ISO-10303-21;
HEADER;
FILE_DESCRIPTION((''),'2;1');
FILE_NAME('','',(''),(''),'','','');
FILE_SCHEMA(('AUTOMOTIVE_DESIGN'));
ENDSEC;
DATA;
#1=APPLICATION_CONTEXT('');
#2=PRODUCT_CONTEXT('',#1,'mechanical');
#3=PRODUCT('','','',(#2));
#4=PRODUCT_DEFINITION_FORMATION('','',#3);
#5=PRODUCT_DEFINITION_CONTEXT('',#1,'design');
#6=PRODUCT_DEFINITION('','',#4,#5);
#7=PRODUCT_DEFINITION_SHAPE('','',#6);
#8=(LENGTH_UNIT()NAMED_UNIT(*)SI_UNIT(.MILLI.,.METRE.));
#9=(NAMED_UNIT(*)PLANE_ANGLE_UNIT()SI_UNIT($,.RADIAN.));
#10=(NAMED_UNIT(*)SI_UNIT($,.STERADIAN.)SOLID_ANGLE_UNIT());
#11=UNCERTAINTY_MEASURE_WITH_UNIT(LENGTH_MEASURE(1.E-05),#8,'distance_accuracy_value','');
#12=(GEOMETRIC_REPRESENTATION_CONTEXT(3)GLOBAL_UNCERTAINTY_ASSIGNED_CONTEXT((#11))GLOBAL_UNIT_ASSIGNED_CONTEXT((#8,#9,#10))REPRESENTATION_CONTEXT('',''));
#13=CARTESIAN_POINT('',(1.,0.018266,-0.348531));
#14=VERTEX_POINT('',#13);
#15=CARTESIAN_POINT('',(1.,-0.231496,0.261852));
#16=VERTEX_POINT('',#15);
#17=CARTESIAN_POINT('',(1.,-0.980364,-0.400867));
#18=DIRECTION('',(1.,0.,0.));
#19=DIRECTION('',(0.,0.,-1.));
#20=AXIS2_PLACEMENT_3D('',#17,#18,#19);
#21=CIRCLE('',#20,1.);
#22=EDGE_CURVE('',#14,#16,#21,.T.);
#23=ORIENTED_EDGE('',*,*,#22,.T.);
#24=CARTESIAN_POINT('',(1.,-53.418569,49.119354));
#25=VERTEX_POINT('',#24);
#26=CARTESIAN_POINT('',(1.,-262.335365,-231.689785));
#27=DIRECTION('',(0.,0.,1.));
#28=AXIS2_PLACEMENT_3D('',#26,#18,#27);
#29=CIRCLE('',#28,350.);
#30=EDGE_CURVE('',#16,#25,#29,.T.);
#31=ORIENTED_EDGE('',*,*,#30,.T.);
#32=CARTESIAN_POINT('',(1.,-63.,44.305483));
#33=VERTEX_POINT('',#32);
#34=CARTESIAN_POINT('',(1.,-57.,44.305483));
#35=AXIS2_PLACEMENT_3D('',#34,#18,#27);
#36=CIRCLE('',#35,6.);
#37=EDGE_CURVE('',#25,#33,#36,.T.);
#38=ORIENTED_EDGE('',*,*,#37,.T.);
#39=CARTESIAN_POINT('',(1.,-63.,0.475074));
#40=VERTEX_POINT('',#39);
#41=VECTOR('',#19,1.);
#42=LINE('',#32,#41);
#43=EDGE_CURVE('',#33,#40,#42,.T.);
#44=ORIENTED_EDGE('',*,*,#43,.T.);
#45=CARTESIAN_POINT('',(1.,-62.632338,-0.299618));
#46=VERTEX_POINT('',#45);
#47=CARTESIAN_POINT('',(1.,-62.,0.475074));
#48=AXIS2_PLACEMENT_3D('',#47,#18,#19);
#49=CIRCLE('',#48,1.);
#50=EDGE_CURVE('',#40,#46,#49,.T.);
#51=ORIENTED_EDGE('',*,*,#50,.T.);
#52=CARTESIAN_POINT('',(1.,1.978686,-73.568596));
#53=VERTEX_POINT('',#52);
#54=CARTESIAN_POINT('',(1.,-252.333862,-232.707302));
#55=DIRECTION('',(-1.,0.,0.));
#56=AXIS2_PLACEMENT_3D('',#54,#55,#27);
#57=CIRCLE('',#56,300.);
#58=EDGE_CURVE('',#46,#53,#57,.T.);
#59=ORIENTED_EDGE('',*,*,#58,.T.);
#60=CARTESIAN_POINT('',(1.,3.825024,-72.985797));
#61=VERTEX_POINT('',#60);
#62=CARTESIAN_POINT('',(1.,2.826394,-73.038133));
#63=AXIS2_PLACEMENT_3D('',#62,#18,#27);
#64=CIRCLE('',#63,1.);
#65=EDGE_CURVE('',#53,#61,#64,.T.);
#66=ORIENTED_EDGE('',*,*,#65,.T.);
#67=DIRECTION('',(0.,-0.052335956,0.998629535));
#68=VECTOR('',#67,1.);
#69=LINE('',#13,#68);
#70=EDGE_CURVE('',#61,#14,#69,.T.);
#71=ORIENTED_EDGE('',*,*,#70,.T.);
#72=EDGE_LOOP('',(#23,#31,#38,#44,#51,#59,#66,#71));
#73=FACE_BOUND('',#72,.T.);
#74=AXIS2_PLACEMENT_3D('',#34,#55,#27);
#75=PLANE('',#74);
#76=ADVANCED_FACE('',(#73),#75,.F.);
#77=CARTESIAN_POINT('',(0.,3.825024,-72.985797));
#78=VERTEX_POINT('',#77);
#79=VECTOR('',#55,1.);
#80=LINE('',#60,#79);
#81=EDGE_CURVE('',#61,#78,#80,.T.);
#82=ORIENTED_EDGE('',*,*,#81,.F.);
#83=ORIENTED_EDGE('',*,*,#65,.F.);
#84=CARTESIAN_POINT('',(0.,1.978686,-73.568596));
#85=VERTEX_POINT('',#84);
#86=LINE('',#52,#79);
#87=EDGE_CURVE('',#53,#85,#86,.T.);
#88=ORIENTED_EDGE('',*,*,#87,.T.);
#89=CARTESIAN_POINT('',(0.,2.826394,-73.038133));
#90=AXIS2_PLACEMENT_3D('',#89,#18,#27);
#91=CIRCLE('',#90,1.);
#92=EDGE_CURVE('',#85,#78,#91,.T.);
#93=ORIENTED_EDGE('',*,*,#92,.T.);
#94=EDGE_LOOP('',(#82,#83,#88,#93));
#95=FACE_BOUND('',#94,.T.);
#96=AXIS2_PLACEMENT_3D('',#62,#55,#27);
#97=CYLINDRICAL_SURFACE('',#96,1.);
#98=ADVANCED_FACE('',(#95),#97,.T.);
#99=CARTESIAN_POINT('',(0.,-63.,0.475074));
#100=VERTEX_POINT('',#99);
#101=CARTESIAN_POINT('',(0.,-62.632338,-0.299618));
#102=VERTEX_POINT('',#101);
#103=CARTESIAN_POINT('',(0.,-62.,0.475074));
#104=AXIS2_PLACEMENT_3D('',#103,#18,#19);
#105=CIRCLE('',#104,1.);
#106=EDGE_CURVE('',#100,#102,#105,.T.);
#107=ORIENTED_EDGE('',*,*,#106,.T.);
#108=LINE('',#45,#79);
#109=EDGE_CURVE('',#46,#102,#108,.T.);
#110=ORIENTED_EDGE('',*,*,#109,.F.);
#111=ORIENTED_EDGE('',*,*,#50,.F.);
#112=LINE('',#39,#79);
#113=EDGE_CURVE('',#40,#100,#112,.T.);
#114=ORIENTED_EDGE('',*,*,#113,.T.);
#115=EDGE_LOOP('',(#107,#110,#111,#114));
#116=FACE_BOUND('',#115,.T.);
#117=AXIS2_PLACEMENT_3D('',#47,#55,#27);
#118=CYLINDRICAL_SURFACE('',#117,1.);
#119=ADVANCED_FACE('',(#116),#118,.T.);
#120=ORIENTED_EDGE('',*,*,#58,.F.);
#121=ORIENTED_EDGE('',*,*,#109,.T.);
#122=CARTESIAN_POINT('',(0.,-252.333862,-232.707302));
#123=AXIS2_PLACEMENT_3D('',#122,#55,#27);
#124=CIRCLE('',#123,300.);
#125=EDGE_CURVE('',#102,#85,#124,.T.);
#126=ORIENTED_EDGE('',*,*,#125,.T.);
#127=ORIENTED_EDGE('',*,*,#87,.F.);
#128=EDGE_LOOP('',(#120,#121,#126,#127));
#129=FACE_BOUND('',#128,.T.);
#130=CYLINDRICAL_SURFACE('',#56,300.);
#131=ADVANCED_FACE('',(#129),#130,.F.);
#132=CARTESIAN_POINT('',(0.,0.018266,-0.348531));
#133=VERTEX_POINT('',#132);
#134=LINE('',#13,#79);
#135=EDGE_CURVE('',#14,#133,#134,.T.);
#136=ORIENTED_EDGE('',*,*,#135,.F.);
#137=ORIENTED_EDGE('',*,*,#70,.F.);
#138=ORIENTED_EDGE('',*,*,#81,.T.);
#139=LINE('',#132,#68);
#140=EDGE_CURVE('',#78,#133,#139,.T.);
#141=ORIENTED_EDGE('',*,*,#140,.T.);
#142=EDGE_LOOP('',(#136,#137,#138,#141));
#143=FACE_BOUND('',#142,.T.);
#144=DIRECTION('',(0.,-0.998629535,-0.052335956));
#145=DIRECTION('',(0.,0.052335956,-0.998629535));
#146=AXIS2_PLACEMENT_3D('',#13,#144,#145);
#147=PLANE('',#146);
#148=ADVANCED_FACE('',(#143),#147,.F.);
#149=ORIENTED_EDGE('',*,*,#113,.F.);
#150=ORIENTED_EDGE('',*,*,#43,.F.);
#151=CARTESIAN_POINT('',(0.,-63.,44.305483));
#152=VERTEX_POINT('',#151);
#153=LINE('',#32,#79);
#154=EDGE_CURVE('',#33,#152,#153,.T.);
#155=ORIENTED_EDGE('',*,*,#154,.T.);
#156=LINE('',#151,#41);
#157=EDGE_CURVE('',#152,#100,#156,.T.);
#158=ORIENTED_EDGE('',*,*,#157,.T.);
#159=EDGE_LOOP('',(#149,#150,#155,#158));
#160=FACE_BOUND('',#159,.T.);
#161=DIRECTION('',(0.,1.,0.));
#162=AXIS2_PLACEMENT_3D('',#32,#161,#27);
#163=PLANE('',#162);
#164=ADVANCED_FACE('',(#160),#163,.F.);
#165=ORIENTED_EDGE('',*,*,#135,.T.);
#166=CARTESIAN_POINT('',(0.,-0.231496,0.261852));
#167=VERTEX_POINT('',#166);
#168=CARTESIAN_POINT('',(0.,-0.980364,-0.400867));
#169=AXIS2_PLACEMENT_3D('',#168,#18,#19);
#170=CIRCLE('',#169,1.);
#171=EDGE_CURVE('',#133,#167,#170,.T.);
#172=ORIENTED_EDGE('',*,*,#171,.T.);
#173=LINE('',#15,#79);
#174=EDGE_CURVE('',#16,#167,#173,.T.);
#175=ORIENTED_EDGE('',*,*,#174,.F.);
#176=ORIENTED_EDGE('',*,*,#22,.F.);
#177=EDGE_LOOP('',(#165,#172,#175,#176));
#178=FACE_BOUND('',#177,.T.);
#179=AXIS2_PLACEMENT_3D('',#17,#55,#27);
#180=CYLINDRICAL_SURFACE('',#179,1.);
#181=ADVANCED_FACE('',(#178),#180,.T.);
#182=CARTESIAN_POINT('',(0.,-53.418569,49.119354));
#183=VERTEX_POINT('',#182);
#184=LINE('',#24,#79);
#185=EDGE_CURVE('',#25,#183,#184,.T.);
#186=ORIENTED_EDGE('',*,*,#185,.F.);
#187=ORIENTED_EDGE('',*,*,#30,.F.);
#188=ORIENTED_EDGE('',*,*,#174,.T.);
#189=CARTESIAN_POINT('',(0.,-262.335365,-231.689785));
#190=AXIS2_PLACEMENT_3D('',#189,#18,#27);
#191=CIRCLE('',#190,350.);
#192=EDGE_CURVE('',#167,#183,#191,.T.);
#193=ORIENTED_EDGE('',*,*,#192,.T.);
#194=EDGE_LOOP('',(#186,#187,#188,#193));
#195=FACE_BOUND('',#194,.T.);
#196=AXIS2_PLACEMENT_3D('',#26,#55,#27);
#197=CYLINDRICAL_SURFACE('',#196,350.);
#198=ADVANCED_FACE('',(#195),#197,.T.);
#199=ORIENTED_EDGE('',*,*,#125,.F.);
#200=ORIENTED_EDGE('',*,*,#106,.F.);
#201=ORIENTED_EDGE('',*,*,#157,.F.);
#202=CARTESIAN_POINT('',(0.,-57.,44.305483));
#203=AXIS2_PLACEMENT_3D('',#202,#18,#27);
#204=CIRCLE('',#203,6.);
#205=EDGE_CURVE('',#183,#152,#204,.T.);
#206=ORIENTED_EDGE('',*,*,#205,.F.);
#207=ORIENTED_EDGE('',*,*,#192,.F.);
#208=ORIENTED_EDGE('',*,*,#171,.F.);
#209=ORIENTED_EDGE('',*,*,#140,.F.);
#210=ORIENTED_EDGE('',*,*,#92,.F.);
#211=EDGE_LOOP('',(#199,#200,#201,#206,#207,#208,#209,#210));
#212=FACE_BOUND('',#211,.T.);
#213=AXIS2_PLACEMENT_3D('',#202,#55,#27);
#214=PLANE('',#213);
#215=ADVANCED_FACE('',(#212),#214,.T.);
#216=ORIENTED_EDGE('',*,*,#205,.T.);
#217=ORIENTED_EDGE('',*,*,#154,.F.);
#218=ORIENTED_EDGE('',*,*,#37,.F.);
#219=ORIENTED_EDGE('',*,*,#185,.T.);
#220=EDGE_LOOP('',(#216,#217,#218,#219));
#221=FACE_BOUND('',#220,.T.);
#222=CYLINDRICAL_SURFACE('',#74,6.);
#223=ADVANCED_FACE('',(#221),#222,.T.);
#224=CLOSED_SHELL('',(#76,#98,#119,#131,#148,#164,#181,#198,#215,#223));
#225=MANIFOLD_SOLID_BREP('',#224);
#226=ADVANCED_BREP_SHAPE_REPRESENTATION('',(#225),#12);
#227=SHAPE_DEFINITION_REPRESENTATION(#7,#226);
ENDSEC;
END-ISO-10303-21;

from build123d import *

# Parameters (mm, degrees)
BOSS_EXTRUDE1_DEPTH = 1


with BuildPart() as part:
    # Sketch1 → Boss-Extrude1 (new body)
    with BuildSketch(Plane(origin=(0, 0, 0), x_dir=(0, 0, -1), z_dir=(1, 0, 0))):
        with BuildLine():
            Line((0.348531139, 0.018265743), (72.985797314, 3.825023556))
            ThreePointArc((72.985797314, 3.825023556), (73.991753866, 3.127405248), (73.568595626, 1.978685529))
            ThreePointArc((73.568595626, 1.978685529), (34.286561941, -27.324507504), (0.299617848, -62.632338413))
            ThreePointArc((0.299617848, -62.632338413), (-0.046319499, -62.903420836), (-0.475074433, -63))
            Line((-0.475074433, -63), (-44.305483114, -63))
            ThreePointArc((-44.305483114, -63), (-49.666853492, -59.693642083), (-49.119354071, -53.418569223))
            ThreePointArc((-49.119354071, -53.418569223), (-26.066145165, -25.561463063), (-0.261851868, -0.231495595))
            ThreePointArc((-0.261851868, -0.231495595), (0.022157357, -0.054848295), (0.348531139, 0.018265743))
        make_face()
    extrude(amount=BOSS_EXTRUDE1_DEPTH)


solid = part.part
